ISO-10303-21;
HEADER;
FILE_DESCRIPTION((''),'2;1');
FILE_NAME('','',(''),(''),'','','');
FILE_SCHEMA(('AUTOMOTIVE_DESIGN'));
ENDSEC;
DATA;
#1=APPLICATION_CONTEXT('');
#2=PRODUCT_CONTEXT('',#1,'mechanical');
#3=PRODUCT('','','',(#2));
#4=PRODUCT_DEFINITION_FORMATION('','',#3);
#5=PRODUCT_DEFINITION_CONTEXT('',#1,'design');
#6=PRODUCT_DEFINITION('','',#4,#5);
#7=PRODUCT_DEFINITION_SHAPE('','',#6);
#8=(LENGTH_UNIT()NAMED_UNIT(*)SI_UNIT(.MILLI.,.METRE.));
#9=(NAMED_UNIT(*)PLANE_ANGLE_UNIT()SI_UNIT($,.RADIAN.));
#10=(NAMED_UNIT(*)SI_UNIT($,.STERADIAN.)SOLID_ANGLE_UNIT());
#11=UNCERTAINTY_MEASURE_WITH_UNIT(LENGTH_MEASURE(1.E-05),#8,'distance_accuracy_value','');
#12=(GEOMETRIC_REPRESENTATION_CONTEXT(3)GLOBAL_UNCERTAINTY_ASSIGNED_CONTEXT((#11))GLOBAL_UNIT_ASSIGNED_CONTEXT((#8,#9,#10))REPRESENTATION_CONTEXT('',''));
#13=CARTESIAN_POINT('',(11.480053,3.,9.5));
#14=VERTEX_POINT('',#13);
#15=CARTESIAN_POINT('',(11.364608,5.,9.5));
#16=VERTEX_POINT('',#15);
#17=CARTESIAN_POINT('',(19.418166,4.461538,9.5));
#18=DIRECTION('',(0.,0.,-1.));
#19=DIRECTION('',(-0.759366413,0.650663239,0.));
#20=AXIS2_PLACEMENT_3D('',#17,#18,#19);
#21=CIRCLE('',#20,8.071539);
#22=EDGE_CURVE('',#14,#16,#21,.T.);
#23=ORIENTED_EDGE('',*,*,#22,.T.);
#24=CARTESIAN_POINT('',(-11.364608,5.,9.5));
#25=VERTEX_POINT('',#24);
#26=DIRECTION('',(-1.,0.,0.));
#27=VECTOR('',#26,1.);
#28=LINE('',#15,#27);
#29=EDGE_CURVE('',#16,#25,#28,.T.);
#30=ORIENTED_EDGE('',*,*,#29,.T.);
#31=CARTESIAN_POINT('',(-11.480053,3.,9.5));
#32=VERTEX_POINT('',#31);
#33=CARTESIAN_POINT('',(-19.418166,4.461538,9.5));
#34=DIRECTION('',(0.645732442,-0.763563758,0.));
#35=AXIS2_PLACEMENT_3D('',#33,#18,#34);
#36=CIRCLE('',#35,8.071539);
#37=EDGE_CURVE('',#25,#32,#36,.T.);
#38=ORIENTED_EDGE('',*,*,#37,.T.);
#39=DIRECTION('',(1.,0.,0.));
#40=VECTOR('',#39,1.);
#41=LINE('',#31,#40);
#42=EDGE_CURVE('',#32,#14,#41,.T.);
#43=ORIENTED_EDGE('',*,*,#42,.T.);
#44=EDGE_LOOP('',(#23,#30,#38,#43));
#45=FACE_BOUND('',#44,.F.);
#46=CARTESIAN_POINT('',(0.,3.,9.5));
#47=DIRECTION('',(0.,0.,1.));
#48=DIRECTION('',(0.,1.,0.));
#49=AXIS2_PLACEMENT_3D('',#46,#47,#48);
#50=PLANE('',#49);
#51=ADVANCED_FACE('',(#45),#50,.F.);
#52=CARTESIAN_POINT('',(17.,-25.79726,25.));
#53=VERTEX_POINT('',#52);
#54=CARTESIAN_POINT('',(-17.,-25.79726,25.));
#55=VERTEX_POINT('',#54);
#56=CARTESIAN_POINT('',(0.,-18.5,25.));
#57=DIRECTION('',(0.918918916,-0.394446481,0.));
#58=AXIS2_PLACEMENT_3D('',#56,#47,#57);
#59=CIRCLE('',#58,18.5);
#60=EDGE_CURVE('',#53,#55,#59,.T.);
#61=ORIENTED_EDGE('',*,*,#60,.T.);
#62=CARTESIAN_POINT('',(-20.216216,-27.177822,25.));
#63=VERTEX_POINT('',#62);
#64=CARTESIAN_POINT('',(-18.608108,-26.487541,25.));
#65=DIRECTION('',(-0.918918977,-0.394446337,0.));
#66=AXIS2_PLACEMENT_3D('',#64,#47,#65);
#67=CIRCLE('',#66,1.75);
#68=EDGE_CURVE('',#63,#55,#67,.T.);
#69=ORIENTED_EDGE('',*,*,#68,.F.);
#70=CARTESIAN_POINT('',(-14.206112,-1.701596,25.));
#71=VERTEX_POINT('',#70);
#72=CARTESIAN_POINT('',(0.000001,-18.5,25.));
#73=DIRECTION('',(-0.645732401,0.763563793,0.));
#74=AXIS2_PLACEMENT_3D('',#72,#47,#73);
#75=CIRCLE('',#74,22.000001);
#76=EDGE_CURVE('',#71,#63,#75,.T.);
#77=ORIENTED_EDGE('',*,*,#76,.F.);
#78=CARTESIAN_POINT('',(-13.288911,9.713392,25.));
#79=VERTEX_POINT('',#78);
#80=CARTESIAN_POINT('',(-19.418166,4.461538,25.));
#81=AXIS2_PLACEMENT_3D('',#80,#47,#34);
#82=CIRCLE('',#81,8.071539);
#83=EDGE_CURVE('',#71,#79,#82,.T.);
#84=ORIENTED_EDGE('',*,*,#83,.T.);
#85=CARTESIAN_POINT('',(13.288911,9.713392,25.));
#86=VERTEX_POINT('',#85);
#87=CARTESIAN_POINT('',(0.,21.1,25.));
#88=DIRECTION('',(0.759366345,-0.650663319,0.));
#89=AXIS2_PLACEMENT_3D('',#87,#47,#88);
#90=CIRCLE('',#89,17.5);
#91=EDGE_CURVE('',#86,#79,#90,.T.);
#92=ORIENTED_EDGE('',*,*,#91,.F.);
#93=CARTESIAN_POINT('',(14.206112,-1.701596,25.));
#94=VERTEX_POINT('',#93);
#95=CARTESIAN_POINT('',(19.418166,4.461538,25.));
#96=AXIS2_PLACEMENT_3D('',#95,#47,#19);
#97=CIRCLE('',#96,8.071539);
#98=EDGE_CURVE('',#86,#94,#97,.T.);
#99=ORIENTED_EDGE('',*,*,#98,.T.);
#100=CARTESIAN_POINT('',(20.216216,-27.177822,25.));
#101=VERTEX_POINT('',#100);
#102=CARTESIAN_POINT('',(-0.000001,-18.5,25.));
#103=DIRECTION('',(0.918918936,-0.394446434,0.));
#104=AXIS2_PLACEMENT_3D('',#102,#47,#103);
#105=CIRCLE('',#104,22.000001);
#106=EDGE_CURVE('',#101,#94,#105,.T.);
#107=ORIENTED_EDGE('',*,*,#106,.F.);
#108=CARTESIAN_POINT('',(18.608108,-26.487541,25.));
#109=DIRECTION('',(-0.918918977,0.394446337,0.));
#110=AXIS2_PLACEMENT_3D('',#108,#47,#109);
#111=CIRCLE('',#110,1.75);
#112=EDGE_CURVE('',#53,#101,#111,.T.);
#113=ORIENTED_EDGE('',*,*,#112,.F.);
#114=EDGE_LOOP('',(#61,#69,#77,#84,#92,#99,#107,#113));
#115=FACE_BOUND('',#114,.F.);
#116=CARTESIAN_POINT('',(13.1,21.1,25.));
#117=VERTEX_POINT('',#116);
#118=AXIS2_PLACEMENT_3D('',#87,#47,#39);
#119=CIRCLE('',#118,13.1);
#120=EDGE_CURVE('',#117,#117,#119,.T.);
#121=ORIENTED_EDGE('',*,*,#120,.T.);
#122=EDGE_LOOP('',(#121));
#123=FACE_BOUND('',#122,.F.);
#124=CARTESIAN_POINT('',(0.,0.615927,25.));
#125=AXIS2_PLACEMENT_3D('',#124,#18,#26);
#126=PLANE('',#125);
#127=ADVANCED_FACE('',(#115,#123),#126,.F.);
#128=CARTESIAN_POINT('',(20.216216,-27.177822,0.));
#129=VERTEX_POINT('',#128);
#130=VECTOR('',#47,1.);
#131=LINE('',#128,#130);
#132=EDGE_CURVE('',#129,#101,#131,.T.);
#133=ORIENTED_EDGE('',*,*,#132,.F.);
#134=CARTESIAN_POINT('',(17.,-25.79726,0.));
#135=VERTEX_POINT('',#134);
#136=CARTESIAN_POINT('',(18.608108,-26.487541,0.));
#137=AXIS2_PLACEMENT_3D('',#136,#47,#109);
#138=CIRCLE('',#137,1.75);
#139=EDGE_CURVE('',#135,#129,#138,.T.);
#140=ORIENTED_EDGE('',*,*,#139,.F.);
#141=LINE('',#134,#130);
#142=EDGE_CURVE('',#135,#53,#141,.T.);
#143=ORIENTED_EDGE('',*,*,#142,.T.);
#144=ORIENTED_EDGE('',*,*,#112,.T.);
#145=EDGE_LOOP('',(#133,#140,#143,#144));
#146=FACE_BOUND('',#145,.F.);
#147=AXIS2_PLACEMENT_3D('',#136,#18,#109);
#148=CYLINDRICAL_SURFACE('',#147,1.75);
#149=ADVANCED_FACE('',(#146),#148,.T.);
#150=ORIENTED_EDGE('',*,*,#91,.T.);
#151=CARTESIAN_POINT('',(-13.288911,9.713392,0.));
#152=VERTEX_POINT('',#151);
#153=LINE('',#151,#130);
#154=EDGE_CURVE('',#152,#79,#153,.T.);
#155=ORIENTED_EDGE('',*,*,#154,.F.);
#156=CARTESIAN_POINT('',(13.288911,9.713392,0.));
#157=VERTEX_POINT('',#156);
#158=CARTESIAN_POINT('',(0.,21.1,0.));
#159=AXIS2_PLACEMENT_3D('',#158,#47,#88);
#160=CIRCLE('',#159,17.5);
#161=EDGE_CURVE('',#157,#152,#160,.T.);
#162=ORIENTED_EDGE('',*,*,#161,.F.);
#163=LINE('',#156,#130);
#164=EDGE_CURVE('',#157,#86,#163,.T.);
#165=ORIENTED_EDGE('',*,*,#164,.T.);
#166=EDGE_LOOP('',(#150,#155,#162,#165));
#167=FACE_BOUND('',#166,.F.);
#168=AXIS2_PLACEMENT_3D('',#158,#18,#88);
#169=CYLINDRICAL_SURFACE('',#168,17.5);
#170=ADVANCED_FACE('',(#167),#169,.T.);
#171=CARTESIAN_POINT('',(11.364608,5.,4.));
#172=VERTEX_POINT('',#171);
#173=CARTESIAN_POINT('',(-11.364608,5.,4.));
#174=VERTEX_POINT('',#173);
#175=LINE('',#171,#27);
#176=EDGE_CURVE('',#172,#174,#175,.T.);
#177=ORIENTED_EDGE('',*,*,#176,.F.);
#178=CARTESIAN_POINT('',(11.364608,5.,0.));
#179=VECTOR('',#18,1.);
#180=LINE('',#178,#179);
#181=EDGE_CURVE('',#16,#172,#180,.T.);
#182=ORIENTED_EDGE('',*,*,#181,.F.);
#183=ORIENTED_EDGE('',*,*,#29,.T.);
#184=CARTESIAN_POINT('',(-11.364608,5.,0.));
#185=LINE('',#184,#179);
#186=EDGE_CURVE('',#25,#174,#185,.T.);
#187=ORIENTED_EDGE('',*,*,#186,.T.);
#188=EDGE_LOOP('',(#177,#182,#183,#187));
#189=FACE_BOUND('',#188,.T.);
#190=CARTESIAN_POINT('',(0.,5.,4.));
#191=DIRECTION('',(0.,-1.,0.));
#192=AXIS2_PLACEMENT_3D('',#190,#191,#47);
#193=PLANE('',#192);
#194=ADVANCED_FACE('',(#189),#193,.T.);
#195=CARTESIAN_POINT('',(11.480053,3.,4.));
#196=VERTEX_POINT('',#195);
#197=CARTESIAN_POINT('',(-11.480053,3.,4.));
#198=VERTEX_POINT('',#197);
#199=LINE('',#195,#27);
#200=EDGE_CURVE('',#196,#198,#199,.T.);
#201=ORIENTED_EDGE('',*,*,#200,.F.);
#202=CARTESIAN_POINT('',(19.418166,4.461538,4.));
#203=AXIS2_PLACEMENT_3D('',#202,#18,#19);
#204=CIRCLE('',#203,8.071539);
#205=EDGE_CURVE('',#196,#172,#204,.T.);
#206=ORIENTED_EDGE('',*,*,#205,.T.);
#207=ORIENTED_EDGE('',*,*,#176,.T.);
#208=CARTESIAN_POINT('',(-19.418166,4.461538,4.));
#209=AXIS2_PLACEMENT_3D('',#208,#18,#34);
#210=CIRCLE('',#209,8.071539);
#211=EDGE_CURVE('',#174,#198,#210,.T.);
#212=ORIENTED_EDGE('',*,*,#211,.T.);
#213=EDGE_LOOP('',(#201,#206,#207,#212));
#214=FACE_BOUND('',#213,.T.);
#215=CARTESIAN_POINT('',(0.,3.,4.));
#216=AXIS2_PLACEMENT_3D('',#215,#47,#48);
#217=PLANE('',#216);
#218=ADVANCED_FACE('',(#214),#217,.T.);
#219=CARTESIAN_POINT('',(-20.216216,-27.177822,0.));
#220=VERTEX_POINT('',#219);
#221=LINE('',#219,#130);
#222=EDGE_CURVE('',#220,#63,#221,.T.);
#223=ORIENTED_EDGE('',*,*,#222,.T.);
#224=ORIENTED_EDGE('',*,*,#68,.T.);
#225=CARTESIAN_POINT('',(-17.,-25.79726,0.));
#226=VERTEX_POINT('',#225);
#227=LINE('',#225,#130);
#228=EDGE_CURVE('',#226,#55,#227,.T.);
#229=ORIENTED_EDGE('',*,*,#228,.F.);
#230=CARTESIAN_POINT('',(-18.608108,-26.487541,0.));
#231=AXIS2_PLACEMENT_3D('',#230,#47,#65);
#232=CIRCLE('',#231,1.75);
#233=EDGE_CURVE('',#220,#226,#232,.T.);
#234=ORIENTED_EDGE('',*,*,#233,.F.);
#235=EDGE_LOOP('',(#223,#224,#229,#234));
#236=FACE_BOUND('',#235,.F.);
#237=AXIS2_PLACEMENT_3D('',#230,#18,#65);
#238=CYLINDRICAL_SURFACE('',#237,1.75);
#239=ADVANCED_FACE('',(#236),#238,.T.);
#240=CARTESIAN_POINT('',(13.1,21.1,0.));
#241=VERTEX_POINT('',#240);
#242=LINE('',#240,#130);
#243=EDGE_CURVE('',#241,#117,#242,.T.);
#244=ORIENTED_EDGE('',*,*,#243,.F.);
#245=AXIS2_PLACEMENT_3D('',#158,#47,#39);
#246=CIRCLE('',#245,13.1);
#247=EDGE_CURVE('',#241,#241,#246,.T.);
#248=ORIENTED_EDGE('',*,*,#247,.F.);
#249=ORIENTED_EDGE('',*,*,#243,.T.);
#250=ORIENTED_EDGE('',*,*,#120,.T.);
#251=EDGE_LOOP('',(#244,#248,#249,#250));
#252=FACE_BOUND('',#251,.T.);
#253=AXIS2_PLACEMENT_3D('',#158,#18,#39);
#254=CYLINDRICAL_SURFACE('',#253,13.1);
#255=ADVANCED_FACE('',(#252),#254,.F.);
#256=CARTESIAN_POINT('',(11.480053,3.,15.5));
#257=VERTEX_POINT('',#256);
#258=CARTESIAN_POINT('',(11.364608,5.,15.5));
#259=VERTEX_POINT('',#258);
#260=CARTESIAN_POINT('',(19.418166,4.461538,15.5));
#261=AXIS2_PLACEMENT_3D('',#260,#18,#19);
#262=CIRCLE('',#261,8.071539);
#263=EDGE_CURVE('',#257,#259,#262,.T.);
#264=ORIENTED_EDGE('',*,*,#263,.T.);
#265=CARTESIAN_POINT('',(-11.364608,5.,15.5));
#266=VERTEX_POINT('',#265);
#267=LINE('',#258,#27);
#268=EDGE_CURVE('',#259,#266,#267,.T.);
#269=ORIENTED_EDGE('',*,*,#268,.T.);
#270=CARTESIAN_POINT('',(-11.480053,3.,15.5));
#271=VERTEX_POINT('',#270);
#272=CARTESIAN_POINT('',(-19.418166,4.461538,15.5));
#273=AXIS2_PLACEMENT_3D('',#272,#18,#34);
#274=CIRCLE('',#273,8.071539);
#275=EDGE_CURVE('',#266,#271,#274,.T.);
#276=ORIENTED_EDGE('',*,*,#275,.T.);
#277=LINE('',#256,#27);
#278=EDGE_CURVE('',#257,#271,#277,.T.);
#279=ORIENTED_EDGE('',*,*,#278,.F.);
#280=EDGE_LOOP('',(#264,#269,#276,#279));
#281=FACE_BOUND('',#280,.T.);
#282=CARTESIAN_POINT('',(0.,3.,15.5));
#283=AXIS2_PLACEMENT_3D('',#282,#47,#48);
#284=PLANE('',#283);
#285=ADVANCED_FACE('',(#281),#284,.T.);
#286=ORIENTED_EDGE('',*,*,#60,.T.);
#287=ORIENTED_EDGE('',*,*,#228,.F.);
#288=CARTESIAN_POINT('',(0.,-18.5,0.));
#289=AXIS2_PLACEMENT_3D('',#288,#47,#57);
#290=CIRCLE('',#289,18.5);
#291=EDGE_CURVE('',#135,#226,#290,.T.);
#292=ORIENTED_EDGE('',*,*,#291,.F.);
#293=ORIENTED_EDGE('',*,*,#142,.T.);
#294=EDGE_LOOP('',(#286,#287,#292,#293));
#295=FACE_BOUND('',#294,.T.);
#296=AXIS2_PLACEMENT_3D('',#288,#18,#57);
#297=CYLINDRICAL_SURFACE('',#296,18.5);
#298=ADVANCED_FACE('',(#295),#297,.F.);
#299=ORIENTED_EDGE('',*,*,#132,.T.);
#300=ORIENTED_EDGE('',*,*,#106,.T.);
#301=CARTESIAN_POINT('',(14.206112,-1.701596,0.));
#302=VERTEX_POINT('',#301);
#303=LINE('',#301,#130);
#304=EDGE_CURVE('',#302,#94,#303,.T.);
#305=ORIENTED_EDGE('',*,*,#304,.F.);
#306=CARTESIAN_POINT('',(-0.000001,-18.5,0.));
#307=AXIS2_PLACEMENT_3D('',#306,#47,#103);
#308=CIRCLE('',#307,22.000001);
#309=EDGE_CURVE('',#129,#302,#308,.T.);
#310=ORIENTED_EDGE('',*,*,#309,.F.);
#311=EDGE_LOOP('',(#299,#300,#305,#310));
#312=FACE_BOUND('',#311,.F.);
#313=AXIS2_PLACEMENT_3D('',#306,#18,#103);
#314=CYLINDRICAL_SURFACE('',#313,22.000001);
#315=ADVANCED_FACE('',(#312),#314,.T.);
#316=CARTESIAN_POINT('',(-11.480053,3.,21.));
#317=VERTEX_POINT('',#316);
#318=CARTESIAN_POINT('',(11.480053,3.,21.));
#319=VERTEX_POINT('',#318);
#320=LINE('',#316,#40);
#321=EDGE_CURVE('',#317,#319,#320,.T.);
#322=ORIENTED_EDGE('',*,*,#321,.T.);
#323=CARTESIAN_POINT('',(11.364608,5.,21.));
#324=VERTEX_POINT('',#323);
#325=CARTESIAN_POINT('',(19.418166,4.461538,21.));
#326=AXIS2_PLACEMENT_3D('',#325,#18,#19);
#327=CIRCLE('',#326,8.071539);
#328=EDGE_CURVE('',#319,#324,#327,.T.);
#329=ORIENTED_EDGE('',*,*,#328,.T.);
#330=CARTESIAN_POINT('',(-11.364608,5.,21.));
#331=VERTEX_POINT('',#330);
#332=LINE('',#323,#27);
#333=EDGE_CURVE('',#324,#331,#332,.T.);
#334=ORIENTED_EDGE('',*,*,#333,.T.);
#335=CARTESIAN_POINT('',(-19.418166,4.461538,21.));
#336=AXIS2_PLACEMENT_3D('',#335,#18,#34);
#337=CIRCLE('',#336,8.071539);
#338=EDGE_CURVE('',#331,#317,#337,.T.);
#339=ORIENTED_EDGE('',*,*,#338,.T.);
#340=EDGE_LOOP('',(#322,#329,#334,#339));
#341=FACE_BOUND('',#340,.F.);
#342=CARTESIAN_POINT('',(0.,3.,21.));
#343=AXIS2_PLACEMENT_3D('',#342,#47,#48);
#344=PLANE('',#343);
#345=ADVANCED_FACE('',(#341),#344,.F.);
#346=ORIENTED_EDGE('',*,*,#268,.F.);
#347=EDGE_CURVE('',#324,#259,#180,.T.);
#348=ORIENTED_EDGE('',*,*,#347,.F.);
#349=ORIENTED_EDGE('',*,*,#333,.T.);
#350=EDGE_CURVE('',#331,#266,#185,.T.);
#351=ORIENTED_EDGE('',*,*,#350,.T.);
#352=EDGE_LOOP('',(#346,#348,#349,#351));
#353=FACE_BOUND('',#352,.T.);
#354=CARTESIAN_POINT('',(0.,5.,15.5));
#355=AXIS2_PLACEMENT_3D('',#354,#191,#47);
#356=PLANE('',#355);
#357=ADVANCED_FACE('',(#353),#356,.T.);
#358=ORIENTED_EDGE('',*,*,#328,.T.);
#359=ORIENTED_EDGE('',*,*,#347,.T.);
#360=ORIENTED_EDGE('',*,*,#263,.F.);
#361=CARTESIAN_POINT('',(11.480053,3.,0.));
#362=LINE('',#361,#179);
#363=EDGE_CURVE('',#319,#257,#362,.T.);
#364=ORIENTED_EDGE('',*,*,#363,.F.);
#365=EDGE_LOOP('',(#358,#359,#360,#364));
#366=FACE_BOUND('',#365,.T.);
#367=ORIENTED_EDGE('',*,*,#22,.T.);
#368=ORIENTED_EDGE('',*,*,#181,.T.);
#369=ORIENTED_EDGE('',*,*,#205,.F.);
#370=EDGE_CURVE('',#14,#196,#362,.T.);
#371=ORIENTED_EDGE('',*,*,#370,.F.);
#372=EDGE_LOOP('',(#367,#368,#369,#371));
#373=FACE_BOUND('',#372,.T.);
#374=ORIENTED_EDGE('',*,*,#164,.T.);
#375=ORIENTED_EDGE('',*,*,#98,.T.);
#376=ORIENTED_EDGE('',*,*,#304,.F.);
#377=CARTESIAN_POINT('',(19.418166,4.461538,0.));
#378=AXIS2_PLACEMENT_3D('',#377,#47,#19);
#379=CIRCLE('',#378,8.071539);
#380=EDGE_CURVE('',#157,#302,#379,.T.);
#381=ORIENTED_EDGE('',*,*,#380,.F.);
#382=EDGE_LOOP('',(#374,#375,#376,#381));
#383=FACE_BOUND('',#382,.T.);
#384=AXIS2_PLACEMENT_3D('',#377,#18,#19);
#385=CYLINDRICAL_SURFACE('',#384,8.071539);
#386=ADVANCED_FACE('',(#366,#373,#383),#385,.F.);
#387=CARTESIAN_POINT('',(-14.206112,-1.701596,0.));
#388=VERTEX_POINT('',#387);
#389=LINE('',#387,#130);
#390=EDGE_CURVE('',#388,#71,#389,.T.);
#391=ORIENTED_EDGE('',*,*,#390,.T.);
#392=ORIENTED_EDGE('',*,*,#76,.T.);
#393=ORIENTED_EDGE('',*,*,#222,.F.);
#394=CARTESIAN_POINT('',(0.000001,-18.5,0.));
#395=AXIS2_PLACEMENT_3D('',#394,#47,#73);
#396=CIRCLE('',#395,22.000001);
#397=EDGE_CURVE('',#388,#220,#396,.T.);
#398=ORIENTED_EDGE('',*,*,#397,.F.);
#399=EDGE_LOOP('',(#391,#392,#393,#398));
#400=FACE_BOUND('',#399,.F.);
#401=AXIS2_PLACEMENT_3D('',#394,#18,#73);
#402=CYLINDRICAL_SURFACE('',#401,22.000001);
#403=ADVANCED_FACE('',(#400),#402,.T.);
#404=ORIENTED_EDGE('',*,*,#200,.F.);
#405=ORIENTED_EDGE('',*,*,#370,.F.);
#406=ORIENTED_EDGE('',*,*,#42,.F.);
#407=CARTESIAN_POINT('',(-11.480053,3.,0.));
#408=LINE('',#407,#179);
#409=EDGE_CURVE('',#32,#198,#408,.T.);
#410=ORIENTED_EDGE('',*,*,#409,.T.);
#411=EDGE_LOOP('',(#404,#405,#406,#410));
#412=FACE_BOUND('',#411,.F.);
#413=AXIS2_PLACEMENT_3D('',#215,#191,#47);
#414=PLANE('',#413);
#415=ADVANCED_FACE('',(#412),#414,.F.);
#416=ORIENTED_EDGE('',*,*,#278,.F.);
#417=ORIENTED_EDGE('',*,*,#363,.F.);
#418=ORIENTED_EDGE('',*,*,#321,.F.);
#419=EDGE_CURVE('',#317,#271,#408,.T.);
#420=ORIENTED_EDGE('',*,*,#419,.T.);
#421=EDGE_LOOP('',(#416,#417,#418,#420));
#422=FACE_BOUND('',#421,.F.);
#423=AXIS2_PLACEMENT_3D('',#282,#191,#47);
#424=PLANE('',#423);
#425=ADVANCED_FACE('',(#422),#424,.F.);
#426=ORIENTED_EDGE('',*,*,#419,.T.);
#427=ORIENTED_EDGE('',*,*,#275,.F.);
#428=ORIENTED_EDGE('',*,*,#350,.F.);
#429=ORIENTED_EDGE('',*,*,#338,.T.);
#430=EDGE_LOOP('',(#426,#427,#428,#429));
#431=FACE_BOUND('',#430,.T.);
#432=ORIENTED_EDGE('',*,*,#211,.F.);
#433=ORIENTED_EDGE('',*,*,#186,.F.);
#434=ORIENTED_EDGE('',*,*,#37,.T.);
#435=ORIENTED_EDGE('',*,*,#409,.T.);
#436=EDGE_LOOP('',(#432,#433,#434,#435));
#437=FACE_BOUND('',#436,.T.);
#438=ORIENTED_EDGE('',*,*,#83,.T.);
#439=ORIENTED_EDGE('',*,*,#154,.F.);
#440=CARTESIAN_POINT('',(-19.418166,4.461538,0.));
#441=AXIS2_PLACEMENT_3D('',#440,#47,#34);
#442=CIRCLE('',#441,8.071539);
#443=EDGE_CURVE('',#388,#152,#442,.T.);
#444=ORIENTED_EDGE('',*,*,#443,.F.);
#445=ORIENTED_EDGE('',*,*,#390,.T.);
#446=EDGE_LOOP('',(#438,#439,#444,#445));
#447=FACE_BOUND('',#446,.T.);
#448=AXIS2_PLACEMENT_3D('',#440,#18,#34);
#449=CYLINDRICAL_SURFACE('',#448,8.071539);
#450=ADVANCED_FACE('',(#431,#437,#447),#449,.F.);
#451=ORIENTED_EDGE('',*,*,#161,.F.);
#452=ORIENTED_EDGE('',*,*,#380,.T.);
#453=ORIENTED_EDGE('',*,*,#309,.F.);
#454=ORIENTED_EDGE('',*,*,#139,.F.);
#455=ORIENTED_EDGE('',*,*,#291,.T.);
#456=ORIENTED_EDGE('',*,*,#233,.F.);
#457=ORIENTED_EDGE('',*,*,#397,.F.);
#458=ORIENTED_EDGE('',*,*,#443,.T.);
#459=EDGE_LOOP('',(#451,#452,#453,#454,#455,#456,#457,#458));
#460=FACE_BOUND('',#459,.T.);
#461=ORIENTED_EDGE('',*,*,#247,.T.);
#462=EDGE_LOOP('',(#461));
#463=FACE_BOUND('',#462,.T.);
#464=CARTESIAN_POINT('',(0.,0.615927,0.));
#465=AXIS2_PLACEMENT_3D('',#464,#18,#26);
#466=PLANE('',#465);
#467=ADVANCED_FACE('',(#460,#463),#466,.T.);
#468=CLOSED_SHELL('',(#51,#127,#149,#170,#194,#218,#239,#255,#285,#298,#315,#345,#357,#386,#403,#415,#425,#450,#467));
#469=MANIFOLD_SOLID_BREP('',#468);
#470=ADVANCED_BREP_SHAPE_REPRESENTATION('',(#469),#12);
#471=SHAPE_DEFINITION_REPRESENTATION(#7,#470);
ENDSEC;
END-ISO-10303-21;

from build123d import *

# Parameters (mm, degrees)
SKETCH_R          = 13.1
PAD_DEPTH         = 25
SKETCH001_W       = 2
SKETCH001_H       = 5.5
POCKET_DEPTH      = 22.001
POCKET_DEPTH_BACK = 22.001


with BuildPart() as part:
    # Sketch → Pad (new body)
    with BuildSketch(Plane.XY):
        with BuildLine():
            ThreePointArc((17, -25.79726), (0, 0), (-17, -25.79726))
            ThreePointArc((-20.216216, -27.177822), (-17.917827, -28.095649), (-17, -25.79726))
            ThreePointArc((-14.206112, -1.701596), (-21.412232, -13.448634), (-20.216216, -27.177822))
            ThreePointArc((-14.206112, -1.701596), (-11.372558, 3.815069), (-13.288911, 9.713392))
            ThreePointArc((13.288911, 9.713392), (0, 38.6), (-13.288911, 9.713392))
            ThreePointArc((13.288911, 9.713392), (11.372558, 3.815069), (14.206112, -1.701596))
            ThreePointArc((20.216216, -27.177822), (21.412232, -13.448634), (14.206112, -1.701596))
            ThreePointArc((17, -25.79726), (17.917827, -28.095649), (20.216216, -27.177822))
        make_face()
        with Locations((0, 21.1)):
            Circle(SKETCH_R, mode=Mode.SUBTRACT)
    extrude(amount=PAD_DEPTH)

    # Sketch001 → Pocket (cut, two sides)
    with BuildSketch(Plane.YZ) as pocket_sk:
        with Locations((4, 6.75)):
            Rectangle(SKETCH001_W, SKETCH001_H)
        with Locations((4, 18.25)):
            Rectangle(SKETCH001_W, SKETCH001_H)
    extrude(amount=-POCKET_DEPTH, mode=Mode.SUBTRACT)
    extrude(pocket_sk.sketch, amount=POCKET_DEPTH_BACK, mode=Mode.SUBTRACT)


solid = part.part
